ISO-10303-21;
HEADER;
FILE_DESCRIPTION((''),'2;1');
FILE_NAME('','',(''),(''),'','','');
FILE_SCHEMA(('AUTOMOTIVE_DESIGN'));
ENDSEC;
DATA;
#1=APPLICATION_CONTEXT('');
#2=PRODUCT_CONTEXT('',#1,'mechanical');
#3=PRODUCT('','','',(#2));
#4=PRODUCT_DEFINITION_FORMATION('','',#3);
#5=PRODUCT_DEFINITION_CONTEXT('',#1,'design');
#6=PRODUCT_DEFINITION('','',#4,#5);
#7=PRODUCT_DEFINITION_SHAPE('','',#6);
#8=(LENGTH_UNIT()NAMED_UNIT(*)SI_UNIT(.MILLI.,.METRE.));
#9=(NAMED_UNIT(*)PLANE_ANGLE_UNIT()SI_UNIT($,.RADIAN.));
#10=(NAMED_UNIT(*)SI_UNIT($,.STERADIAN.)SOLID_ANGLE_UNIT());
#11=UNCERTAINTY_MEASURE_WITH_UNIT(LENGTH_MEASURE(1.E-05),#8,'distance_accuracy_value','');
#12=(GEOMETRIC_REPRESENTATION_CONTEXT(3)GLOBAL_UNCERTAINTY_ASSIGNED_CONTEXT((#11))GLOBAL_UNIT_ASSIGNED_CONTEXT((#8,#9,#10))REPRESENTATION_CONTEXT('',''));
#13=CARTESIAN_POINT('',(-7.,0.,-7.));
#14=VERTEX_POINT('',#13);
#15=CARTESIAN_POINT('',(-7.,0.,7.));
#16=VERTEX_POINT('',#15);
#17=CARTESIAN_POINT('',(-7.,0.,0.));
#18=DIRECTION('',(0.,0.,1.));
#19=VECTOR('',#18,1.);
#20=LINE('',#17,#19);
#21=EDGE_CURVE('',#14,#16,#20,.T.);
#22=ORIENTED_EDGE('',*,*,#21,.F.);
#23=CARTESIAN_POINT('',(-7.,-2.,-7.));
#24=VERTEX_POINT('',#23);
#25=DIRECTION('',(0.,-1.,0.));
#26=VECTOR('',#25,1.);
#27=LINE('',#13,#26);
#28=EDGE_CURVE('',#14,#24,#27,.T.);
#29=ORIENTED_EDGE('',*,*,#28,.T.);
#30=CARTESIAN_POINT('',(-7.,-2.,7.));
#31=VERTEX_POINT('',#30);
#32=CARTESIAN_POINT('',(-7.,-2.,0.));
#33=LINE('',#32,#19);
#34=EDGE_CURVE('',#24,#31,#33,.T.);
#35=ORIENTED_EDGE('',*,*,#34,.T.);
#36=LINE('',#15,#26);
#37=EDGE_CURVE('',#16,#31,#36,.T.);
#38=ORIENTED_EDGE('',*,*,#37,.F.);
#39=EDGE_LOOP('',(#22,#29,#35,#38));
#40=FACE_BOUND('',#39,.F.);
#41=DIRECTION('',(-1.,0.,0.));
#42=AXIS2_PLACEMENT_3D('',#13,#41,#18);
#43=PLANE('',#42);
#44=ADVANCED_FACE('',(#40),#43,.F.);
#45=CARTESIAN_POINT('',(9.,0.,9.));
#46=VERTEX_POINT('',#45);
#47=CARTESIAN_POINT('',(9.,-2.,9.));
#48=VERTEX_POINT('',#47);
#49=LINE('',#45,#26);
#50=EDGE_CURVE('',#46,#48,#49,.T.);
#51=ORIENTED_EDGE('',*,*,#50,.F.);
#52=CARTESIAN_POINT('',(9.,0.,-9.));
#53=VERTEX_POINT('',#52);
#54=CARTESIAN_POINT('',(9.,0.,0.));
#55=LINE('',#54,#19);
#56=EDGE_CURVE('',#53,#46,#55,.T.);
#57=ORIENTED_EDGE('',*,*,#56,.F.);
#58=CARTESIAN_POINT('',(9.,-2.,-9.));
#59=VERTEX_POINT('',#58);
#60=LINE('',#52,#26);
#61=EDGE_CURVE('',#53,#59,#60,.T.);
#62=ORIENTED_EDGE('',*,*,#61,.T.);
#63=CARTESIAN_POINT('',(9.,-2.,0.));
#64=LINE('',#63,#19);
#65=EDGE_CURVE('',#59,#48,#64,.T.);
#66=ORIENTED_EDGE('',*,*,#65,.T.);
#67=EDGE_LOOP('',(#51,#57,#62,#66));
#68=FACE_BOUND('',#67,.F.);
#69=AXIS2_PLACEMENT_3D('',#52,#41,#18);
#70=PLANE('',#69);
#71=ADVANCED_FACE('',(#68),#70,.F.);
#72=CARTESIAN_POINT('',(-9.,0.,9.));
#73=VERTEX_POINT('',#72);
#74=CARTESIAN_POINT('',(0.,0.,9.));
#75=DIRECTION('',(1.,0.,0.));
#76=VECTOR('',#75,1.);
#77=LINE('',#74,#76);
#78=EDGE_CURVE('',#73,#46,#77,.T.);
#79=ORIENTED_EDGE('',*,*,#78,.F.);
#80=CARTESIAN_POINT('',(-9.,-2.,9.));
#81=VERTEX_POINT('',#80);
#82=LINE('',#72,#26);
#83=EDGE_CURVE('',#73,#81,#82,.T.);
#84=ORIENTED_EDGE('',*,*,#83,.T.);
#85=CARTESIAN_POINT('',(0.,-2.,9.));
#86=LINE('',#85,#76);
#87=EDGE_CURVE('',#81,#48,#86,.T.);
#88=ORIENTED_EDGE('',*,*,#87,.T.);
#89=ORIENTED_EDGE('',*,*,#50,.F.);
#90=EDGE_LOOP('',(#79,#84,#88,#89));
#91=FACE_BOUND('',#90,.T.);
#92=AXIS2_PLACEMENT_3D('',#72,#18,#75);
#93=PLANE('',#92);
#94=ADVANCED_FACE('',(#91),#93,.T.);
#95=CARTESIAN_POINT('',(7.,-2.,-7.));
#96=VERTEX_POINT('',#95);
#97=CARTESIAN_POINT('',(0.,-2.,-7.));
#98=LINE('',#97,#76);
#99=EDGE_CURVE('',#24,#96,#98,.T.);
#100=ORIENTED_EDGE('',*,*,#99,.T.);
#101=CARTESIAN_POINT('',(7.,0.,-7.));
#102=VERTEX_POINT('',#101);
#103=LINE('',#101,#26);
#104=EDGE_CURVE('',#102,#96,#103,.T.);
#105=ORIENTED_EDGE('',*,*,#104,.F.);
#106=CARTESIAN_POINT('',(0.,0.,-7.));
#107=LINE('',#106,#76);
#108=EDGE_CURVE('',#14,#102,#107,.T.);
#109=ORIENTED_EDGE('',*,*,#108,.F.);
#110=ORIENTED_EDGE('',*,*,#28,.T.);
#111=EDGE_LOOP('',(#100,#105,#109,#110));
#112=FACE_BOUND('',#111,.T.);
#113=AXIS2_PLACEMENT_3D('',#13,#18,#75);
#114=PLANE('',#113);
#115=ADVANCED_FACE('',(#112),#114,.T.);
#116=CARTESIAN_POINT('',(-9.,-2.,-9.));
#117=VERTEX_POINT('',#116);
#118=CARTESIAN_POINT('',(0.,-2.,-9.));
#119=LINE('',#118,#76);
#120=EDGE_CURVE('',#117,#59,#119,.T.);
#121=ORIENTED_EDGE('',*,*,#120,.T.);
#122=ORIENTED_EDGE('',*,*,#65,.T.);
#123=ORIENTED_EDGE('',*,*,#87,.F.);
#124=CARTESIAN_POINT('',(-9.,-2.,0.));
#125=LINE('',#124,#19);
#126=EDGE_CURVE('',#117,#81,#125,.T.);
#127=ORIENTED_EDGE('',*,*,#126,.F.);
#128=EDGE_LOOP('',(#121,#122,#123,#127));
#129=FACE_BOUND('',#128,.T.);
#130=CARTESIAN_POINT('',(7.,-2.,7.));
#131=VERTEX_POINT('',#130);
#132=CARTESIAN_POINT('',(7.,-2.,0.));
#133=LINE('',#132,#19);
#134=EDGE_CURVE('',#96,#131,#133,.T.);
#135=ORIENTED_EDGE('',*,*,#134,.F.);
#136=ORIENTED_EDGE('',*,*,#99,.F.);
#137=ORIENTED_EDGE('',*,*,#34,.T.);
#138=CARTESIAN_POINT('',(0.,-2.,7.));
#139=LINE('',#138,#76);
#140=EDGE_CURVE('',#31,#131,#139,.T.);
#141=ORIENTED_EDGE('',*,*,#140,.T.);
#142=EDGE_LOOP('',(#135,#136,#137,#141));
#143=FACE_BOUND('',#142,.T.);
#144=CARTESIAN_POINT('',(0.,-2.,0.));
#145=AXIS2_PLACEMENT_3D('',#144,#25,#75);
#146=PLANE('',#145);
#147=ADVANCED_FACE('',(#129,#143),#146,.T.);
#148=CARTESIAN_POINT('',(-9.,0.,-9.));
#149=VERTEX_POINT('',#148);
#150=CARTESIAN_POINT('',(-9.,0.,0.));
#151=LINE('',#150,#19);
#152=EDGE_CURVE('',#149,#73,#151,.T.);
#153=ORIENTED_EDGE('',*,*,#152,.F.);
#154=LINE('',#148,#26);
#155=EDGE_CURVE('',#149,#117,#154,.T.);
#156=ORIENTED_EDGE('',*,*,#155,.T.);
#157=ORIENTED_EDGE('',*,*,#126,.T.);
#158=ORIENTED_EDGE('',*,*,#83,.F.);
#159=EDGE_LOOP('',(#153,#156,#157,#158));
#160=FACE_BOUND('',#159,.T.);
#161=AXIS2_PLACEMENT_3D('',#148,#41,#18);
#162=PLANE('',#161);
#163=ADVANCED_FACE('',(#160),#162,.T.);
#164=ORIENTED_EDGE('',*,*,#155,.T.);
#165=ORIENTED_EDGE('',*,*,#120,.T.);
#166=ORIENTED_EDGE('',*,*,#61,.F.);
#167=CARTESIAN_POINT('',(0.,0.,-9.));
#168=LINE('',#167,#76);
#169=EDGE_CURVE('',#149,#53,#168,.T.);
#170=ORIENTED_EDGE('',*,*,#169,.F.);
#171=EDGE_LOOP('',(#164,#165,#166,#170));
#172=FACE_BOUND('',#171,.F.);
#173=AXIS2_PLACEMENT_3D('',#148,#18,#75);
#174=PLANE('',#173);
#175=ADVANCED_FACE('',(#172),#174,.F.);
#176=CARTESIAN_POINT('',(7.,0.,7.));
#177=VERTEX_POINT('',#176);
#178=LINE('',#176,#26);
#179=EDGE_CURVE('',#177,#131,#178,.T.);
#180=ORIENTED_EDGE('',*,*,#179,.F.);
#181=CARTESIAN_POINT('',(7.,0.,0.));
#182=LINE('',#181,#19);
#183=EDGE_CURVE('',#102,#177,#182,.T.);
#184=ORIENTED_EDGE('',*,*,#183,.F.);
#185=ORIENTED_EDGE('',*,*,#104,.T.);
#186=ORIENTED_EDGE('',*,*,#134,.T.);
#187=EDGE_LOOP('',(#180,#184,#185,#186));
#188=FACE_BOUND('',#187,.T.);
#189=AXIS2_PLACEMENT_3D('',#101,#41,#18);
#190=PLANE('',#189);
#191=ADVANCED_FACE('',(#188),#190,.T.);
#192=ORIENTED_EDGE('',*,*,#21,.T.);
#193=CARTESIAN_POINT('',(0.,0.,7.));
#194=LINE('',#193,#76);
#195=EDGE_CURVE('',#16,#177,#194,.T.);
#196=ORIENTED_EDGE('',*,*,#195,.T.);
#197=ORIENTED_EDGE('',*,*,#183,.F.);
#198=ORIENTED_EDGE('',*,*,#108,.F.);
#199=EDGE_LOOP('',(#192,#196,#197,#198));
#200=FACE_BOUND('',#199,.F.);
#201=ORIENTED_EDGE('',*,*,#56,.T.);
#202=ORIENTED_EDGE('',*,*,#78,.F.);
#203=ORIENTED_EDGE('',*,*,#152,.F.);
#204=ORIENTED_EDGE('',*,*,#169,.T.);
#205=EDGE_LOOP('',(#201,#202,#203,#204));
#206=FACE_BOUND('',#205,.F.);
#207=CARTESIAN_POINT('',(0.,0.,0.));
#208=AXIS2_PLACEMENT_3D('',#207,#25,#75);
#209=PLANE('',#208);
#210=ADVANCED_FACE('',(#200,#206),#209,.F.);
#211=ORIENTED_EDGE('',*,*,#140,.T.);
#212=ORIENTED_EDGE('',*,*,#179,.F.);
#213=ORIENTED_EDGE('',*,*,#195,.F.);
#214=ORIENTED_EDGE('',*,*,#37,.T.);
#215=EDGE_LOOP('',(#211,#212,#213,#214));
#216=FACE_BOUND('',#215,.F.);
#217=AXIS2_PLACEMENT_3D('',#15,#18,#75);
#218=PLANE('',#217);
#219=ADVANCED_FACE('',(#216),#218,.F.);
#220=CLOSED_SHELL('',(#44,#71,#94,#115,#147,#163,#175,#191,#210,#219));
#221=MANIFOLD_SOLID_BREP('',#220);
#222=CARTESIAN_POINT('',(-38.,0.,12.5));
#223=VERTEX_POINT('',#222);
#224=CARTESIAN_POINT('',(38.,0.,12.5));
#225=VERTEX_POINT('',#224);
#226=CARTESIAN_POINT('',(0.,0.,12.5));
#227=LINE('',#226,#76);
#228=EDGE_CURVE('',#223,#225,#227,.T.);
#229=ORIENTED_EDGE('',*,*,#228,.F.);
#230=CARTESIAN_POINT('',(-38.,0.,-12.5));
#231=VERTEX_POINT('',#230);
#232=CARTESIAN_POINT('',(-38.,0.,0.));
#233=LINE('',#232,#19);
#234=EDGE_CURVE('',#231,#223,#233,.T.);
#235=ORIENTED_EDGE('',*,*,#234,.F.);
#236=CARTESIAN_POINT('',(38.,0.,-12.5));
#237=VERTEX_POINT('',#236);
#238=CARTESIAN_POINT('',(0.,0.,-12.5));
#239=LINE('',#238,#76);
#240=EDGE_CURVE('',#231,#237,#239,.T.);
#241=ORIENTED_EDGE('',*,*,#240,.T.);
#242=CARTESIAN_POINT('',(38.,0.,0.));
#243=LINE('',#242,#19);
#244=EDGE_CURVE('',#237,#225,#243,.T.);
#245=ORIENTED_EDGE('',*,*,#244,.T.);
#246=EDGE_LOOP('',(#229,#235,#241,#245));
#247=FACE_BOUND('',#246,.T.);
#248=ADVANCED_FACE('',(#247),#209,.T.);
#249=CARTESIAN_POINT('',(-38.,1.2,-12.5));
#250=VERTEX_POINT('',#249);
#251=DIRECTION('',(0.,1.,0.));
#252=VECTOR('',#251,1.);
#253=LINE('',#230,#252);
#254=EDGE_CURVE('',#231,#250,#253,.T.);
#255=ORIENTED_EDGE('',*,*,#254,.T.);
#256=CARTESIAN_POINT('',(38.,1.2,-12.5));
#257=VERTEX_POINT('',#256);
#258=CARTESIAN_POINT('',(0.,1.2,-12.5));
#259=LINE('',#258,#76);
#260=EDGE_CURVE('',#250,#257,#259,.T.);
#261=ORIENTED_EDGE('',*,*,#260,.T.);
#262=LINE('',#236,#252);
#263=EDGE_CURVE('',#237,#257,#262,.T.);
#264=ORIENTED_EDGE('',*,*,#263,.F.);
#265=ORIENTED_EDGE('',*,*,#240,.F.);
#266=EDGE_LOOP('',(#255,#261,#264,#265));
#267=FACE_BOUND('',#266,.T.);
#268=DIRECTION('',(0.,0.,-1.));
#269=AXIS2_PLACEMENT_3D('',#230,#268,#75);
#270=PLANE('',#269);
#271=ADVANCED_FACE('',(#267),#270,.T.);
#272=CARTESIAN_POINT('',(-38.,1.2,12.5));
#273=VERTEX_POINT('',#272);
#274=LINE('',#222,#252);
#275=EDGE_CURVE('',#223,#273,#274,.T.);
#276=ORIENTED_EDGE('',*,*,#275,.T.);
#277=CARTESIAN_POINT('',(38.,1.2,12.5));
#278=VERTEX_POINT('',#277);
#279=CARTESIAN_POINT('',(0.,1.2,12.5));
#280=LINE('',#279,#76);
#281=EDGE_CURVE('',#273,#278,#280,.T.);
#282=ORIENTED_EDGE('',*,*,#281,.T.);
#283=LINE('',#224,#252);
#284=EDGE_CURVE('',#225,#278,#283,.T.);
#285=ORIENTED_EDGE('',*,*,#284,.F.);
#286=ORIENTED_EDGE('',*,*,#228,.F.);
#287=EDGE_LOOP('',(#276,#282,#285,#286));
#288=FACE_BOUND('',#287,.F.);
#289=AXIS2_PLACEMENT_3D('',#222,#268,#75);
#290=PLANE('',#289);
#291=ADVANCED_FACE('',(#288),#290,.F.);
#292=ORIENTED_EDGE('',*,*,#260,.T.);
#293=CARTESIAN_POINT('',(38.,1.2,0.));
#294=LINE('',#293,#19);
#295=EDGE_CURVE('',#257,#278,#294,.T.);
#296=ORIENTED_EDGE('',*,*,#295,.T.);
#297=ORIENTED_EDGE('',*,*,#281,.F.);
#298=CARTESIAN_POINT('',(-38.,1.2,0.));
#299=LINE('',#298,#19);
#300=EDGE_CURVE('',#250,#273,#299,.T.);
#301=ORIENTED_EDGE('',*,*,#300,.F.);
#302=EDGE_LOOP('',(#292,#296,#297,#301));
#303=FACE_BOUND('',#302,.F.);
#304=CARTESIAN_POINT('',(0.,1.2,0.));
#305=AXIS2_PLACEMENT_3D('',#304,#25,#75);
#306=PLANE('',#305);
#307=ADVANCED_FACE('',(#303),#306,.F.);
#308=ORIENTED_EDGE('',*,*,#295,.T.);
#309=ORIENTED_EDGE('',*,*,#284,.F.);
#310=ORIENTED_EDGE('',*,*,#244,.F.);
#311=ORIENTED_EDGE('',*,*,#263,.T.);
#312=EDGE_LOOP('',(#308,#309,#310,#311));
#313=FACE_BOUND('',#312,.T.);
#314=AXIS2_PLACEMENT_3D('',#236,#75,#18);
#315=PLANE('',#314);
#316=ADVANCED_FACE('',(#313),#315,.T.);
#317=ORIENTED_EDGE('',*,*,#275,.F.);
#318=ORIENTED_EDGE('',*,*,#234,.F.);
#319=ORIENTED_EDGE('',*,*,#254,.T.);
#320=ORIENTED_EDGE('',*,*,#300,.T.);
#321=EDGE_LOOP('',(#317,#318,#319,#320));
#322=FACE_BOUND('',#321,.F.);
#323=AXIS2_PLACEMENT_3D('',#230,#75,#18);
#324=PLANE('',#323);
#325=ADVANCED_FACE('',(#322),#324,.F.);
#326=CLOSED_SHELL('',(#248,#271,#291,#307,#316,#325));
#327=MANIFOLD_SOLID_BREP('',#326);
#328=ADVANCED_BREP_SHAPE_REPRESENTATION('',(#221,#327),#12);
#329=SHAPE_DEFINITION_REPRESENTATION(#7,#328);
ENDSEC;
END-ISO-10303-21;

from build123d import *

# Parameters (mm, degrees)
F0_W     = 18
F0_H     = 18
F0_W_2   = 14
F0_H_2   = 14
F1_DEPTH = 2
F2_W     = 76
F2_H     = 25
F3_DEPTH = 1.2


with BuildPart() as f1:
    # F0 (on Front) → F1 (new body)
    with BuildSketch(Plane.XZ):
        Rectangle(F0_W, F0_H)
        Rectangle(F0_W_2, F0_H_2, mode=Mode.SUBTRACT)
    extrude(amount=F1_DEPTH)


with BuildPart() as f3:
    # F2 (on Front) → F3 (new body)
    with BuildSketch(Plane.XZ):
        Rectangle(F2_W, F2_H)
    extrude(amount=-F3_DEPTH)


solid = Compound([f1.part, f3.part])
